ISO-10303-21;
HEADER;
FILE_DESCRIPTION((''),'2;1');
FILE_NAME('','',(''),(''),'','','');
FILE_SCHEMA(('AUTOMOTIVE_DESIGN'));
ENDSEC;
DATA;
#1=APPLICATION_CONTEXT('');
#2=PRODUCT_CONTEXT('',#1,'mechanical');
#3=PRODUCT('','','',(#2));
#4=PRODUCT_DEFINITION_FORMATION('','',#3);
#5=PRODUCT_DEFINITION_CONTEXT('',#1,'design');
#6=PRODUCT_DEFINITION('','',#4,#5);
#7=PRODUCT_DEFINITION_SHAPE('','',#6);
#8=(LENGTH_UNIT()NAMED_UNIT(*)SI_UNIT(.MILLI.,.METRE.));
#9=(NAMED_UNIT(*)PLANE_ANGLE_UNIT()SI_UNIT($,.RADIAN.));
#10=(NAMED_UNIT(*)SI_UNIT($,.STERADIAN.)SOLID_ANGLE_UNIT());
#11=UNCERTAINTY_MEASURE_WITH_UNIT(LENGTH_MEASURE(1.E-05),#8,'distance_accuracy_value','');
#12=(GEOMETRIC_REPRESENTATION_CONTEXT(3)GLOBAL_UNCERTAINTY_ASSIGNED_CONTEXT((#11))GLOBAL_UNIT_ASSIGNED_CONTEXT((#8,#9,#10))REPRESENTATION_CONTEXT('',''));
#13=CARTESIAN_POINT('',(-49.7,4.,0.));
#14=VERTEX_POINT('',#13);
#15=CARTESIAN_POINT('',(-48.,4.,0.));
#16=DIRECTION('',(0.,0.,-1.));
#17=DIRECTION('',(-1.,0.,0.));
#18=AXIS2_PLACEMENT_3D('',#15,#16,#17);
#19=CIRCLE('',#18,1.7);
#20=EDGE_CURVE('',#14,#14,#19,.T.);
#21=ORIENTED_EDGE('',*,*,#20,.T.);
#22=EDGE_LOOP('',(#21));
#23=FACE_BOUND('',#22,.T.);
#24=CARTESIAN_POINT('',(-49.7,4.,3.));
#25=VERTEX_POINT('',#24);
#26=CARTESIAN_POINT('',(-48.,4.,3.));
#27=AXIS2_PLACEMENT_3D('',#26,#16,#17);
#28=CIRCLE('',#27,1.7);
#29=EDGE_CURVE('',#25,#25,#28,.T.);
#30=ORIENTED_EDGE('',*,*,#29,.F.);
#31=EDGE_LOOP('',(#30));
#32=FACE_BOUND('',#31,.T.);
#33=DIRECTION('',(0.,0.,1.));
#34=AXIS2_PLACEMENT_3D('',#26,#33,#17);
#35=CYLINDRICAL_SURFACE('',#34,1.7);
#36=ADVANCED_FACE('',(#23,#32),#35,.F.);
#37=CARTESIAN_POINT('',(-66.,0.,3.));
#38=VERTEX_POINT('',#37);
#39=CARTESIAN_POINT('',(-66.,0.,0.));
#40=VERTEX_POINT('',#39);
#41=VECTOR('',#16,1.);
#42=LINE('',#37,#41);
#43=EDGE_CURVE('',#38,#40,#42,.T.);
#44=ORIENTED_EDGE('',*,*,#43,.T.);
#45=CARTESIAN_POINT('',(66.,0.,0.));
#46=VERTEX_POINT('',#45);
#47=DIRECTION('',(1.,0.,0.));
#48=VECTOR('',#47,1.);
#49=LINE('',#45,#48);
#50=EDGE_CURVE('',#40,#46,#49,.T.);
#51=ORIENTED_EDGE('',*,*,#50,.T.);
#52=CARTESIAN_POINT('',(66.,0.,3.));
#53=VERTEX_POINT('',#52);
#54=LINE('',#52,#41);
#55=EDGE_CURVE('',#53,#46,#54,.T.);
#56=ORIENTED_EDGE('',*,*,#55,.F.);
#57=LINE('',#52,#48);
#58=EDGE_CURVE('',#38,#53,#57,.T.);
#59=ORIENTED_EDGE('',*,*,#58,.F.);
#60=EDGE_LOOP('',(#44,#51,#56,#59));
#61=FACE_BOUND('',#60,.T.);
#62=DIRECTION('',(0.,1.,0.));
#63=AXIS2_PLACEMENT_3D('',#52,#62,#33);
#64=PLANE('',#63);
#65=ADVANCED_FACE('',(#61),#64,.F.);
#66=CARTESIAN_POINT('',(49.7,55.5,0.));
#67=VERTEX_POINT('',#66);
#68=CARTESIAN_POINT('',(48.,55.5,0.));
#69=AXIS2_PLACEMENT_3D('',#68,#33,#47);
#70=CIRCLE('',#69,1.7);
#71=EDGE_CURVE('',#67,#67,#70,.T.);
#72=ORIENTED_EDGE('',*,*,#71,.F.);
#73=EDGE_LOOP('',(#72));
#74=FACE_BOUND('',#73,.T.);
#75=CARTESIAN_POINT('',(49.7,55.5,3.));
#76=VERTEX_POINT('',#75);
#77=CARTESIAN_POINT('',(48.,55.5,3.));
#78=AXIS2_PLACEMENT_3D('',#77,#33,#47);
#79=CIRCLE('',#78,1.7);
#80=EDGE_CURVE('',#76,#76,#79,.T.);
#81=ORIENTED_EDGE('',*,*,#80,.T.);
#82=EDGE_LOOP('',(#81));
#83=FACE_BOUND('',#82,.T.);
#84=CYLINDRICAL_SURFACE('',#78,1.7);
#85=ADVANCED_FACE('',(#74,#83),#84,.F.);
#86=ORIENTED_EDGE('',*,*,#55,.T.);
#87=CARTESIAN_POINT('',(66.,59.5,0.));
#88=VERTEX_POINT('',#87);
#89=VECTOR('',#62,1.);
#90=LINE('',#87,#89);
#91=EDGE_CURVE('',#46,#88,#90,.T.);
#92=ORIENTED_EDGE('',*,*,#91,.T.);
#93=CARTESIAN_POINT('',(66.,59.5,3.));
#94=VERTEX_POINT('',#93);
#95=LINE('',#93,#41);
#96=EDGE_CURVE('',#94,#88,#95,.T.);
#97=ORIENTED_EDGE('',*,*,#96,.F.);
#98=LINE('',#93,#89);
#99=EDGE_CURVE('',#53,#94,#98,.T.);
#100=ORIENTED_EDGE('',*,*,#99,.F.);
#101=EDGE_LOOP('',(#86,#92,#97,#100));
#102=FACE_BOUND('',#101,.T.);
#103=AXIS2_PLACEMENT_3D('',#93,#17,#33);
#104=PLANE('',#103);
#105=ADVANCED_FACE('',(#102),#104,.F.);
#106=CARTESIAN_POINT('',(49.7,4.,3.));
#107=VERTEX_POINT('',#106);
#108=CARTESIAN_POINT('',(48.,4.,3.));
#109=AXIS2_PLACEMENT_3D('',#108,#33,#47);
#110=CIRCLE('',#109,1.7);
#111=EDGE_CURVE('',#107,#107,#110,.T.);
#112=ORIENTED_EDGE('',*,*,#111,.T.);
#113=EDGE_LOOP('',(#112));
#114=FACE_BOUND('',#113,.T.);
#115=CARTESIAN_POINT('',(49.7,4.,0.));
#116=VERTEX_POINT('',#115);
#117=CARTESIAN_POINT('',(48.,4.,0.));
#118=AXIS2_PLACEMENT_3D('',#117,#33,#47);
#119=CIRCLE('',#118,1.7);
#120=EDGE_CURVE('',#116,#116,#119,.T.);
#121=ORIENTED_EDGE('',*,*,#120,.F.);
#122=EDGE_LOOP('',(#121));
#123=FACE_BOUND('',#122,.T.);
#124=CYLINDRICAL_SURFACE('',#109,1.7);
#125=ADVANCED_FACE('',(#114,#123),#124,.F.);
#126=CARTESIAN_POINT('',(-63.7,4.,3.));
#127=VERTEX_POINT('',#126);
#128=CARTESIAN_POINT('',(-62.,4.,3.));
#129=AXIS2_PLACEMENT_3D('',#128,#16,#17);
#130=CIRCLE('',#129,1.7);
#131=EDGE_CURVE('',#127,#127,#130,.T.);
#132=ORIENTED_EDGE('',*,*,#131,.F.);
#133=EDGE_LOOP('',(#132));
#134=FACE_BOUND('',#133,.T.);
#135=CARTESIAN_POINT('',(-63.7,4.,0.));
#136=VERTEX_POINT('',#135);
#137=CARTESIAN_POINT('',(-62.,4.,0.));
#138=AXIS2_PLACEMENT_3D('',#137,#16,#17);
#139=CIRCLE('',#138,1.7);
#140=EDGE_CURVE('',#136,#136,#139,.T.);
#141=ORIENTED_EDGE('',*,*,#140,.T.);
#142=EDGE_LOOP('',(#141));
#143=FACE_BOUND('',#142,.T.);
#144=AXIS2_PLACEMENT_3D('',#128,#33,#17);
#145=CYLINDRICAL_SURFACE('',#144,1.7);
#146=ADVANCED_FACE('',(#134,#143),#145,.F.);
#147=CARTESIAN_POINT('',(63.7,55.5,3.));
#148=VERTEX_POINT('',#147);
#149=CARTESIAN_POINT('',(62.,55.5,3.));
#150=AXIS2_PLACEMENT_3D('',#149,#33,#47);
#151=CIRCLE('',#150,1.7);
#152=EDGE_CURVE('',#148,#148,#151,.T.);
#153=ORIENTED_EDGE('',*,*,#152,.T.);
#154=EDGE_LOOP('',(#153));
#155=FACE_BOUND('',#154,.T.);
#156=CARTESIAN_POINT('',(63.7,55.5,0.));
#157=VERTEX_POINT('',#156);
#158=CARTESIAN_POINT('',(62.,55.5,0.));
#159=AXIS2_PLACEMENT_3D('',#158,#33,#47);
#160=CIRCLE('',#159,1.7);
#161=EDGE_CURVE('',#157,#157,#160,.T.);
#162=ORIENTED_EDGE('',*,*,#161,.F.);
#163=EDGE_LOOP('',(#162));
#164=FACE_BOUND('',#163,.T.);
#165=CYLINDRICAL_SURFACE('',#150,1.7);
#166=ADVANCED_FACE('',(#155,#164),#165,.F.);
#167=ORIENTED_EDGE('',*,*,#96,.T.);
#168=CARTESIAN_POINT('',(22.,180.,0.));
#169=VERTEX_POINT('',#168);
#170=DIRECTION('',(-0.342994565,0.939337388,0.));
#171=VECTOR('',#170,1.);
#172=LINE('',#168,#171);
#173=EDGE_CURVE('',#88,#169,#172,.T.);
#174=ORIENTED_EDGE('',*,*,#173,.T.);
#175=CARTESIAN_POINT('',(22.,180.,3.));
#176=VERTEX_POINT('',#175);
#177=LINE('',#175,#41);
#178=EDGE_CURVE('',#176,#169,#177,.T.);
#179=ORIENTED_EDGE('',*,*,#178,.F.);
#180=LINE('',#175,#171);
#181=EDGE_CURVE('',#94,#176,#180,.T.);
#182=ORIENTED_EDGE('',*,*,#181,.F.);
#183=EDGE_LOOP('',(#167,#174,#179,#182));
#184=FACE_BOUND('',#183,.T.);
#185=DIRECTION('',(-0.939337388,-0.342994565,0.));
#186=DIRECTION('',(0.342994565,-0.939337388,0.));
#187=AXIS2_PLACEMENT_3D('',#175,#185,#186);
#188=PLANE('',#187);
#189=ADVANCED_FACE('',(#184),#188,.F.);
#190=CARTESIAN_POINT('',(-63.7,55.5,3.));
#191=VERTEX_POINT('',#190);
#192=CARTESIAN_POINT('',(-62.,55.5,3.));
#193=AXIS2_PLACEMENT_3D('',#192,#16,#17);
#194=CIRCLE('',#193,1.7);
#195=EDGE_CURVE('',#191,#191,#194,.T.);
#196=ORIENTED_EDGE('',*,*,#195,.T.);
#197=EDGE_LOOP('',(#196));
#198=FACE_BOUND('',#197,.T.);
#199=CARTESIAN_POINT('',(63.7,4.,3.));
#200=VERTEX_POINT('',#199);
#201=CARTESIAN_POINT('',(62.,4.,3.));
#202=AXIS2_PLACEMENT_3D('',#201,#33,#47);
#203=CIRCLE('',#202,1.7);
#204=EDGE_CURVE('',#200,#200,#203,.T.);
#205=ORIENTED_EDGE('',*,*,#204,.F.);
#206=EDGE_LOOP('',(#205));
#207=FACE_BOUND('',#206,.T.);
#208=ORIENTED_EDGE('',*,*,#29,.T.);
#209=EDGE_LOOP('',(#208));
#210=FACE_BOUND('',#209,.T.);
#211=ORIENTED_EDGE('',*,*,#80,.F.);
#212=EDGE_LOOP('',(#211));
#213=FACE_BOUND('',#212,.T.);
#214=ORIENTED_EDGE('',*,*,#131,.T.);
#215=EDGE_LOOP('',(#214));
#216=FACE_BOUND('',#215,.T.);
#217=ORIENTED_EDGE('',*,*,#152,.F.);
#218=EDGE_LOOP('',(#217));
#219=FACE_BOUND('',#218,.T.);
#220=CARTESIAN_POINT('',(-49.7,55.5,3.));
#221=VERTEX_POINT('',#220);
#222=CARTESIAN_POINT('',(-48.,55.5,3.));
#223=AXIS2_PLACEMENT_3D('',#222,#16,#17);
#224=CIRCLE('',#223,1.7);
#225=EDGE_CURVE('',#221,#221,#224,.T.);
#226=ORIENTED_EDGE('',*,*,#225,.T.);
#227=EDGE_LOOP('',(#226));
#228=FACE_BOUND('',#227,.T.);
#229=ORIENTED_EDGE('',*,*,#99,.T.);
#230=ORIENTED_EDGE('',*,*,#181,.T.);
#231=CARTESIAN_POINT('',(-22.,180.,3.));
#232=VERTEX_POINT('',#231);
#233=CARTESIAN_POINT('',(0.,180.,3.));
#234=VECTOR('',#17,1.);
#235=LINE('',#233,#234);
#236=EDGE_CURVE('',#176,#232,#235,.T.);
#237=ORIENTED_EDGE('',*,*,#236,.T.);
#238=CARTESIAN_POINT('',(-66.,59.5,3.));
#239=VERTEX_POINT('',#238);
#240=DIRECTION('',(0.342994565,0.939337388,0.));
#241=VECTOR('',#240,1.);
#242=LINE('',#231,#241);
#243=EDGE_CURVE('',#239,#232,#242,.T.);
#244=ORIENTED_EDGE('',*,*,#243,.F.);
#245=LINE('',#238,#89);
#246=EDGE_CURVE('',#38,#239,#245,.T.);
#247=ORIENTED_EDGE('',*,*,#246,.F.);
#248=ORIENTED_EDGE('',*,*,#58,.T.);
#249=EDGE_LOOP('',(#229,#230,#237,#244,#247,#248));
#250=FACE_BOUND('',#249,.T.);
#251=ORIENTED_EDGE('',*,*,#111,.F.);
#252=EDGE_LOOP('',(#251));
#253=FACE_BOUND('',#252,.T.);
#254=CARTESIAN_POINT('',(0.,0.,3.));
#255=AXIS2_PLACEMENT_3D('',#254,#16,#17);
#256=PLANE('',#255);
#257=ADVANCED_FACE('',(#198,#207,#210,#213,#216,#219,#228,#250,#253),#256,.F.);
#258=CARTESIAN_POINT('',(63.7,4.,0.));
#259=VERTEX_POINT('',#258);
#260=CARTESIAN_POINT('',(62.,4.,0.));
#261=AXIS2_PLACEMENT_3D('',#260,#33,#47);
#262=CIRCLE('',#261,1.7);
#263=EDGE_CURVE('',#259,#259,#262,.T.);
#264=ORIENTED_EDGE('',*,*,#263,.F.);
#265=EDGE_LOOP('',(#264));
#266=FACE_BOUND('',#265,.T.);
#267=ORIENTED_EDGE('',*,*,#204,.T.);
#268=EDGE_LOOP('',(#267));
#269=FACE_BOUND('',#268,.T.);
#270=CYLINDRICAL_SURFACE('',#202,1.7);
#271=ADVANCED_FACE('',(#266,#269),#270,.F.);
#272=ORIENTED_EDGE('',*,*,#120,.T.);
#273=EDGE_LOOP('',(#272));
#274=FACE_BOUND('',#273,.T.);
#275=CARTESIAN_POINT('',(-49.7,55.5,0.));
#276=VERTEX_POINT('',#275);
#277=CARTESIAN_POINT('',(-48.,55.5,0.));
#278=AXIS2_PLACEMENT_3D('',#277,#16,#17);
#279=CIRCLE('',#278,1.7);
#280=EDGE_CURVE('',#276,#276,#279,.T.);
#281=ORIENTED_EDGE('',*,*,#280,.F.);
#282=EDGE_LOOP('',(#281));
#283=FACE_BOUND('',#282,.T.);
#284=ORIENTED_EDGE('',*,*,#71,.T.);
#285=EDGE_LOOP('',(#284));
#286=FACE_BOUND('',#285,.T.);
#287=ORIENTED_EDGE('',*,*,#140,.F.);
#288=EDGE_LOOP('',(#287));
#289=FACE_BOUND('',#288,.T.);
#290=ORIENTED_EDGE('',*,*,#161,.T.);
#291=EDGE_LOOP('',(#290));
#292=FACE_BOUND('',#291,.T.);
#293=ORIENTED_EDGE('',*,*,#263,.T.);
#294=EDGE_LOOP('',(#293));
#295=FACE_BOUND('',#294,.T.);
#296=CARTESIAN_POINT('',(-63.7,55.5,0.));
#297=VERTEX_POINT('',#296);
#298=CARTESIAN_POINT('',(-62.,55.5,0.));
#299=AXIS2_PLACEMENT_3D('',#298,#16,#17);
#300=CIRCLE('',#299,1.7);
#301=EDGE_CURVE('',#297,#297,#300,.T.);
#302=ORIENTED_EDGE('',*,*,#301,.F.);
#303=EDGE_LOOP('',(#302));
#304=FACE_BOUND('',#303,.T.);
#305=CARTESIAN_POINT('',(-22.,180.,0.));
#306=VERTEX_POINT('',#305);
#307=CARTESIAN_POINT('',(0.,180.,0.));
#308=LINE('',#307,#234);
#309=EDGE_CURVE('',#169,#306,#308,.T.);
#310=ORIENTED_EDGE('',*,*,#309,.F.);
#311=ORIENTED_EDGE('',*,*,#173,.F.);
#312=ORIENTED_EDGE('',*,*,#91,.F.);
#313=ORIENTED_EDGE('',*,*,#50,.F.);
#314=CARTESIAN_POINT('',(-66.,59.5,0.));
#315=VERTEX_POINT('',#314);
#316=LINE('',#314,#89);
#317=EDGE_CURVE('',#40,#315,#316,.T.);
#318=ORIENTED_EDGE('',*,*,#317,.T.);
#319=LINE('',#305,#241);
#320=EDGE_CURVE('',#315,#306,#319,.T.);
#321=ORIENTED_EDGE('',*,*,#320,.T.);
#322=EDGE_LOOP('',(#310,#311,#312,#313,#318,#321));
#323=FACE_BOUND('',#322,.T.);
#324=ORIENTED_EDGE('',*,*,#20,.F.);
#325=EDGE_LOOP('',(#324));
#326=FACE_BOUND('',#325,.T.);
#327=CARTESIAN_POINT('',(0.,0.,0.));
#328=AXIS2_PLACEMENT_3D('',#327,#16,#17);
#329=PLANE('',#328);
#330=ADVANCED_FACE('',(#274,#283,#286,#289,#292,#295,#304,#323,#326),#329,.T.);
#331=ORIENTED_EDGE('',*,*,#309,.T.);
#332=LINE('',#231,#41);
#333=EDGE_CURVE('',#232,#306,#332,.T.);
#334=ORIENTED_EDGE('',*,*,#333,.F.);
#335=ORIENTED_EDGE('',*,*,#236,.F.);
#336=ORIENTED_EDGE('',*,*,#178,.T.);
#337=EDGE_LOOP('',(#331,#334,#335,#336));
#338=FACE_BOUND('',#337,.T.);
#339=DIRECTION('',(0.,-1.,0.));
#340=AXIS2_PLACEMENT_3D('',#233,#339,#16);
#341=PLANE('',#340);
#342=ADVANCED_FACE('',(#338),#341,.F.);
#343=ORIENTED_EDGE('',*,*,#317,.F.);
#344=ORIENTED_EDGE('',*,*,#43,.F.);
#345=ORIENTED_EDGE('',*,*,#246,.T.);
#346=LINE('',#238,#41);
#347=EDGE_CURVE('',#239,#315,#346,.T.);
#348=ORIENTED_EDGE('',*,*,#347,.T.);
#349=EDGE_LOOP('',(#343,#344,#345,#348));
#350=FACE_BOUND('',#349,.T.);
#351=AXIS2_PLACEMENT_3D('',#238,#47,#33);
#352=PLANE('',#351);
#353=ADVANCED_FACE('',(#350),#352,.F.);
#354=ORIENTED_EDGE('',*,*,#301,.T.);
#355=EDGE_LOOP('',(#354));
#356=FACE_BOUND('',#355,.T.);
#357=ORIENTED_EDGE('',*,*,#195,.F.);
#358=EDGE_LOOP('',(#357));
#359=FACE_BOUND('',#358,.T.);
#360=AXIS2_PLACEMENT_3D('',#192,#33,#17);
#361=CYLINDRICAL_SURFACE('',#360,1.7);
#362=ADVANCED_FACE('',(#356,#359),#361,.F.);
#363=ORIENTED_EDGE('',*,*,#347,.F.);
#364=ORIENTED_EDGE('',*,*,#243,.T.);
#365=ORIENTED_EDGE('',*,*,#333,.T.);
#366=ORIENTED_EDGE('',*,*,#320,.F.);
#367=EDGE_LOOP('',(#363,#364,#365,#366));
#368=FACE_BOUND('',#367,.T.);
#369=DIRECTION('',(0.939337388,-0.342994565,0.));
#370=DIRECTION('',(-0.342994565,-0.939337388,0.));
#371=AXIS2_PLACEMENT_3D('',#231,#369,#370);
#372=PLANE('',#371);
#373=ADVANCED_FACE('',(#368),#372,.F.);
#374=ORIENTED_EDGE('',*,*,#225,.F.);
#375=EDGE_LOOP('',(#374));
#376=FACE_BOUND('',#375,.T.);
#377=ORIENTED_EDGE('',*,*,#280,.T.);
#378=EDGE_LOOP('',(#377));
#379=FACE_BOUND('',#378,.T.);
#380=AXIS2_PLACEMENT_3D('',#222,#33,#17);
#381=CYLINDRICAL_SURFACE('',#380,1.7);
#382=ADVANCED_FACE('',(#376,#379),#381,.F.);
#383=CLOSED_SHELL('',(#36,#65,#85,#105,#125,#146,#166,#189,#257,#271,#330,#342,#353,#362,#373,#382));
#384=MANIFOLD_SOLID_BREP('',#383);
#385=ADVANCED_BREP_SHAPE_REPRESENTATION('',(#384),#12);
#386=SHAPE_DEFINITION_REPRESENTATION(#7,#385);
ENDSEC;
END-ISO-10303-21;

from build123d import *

# Parameters (mm, degrees)
BOSS_EXTRUDE1_DEPTH  = 3
M3_CLEARANCE_HOLE1_D = 3.4


with BuildPart() as part:
    # Sketch1 → Boss-Extrude1 (new body)
    with BuildSketch(Plane.XY):
        Polygon((0, 180), (22, 180), (66, 59.5), (66, 0), (0, 0), align=None)
    boss_extrude1 = extrude(amount=BOSS_EXTRUDE1_DEPTH)

    # M3 Clearance Hole1 (through all)
    with Locations(Plane.XY.offset(3)):
        with Locations((48, 55.5), (62, 55.5), (48, 4), (62, 4)):
            m3_clearance_hole1 = Hole(M3_CLEARANCE_HOLE1_D / 2)

    # Mirror1: Boss-Extrude1, M3 Clearance Hole1 across plane
    add(boss_extrude1.mirror(Plane(origin=(0, 180, 3), x_dir=(0, 0, 1), z_dir=(1, 0, 0))))
    add(m3_clearance_hole1.mirror(Plane(origin=(0, 180, 3), x_dir=(0, 0, 1), z_dir=(1, 0, 0))), mode=Mode.SUBTRACT)


solid = part.part
